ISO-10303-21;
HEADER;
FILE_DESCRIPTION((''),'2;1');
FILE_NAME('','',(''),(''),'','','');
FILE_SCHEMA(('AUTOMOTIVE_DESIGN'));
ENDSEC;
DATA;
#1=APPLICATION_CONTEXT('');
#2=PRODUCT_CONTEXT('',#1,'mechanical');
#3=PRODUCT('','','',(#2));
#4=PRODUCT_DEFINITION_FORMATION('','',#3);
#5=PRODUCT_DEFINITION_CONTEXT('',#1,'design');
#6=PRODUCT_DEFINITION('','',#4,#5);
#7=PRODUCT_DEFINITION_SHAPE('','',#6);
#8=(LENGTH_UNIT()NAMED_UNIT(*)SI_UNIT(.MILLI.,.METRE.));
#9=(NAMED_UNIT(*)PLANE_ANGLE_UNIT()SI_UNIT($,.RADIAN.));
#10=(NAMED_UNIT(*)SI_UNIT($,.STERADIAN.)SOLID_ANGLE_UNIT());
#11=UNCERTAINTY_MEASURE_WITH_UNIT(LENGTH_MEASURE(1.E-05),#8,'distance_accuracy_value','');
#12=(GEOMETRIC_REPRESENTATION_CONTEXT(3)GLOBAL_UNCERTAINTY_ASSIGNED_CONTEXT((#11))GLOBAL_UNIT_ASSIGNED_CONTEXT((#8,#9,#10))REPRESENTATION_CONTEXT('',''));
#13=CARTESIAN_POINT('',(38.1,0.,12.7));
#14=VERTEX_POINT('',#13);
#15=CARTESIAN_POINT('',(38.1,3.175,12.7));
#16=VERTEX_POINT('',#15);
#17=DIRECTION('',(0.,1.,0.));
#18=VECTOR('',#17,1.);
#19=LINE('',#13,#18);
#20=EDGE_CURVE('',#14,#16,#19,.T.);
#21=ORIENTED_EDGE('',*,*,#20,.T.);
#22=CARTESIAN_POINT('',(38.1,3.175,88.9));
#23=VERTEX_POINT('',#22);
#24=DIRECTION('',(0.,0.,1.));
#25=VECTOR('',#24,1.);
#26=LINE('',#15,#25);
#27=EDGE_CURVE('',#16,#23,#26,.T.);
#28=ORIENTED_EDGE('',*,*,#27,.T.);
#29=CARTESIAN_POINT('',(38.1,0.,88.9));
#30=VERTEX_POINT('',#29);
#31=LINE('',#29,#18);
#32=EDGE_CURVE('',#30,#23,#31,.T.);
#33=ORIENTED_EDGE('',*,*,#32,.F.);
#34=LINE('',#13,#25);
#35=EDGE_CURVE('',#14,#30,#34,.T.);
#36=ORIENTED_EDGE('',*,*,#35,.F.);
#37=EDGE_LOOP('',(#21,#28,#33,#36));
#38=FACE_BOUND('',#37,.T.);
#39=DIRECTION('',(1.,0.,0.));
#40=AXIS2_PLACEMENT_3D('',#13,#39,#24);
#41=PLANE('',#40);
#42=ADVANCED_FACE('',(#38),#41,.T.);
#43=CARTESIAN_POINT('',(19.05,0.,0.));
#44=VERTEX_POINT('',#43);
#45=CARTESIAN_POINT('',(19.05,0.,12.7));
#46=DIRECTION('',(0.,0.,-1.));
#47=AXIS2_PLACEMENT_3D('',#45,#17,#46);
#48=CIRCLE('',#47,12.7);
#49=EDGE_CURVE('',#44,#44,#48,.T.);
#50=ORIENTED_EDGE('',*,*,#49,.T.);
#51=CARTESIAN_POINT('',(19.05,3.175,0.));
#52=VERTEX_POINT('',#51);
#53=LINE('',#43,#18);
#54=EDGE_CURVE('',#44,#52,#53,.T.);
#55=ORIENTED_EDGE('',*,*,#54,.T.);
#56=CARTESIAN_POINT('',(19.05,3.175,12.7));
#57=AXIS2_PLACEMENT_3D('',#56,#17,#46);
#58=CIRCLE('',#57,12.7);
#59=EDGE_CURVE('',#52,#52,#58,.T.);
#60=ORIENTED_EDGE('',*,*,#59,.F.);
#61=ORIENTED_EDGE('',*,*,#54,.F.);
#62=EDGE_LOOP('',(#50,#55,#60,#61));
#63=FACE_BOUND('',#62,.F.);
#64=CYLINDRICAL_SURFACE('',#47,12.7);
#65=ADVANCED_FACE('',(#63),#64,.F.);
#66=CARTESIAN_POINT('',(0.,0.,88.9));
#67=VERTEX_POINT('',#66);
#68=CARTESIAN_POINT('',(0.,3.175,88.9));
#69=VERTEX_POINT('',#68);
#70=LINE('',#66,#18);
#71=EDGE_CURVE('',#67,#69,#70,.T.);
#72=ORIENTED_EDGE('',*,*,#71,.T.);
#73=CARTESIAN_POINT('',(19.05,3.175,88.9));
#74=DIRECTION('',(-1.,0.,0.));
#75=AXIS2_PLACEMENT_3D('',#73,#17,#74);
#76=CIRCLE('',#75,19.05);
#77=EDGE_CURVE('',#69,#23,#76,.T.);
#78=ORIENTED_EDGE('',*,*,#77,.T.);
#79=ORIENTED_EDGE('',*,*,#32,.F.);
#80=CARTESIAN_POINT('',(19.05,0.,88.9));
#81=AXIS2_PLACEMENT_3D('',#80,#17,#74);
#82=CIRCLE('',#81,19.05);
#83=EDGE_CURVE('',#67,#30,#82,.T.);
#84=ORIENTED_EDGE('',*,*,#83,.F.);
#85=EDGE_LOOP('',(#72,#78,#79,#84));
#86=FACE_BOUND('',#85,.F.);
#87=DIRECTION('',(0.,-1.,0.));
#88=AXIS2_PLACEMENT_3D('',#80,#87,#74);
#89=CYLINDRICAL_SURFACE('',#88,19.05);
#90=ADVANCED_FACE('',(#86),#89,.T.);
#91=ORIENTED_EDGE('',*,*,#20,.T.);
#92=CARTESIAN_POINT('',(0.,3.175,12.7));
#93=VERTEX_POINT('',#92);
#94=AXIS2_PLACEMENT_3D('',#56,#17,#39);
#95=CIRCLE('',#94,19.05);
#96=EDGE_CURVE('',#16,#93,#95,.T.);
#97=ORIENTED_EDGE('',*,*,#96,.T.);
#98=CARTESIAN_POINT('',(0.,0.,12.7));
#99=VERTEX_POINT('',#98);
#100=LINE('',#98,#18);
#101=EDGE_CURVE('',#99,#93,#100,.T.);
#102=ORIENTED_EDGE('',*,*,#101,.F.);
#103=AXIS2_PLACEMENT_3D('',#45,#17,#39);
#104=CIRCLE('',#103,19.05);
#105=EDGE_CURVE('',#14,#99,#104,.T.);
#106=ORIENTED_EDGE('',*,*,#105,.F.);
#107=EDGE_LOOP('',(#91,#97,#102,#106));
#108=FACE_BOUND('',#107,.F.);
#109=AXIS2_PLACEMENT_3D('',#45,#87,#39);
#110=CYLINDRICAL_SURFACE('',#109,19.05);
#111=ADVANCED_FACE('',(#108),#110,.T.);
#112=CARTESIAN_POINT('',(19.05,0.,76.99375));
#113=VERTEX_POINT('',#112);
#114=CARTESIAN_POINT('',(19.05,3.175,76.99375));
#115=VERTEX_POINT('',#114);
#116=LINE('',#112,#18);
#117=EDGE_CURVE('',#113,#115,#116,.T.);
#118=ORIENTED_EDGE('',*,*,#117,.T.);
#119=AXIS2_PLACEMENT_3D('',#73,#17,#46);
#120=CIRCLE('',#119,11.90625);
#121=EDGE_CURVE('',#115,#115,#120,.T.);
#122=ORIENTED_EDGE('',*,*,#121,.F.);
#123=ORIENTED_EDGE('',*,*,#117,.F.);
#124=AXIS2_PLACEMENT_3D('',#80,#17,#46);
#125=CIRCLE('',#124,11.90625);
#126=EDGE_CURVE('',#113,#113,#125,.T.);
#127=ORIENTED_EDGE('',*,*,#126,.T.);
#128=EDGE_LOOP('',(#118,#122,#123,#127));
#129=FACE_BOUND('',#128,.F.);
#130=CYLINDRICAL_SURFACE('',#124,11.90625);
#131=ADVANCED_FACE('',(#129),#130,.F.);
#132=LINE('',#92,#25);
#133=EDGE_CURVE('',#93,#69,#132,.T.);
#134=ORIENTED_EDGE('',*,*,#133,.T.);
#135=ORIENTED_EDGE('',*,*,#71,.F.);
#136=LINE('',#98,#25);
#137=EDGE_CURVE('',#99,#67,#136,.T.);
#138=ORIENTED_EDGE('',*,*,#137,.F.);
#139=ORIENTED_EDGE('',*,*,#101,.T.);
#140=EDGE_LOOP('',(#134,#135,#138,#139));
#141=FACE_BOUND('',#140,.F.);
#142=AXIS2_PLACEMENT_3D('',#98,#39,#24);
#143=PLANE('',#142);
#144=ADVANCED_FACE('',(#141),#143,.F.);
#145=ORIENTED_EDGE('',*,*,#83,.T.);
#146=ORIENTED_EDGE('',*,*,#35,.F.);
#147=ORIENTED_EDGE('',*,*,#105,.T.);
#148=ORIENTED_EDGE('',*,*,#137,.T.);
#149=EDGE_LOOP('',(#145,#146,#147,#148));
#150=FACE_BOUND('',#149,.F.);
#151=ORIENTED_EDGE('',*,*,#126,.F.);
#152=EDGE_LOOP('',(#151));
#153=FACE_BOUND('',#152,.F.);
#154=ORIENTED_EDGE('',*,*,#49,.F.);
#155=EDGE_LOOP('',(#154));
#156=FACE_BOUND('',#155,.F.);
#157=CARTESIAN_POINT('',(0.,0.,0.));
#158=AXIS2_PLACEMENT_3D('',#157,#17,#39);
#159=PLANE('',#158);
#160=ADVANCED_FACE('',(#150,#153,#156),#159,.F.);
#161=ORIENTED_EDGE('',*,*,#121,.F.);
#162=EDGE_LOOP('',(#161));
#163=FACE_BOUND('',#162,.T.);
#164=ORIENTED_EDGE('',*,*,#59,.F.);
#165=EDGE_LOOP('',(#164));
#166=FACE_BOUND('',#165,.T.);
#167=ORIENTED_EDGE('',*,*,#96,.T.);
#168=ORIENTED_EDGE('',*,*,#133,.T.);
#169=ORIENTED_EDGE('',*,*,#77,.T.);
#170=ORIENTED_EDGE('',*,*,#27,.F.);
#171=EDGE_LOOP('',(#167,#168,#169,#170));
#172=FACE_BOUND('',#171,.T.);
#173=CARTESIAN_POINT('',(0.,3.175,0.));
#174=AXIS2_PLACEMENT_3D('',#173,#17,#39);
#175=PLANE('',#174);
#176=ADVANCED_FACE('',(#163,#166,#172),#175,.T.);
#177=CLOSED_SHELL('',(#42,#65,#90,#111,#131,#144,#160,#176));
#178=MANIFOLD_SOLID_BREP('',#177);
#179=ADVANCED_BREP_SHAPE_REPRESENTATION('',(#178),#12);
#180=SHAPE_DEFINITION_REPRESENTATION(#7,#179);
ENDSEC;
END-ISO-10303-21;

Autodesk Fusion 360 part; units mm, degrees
sketch "Sketch1" plane through (0, 0, 0) normal (0, 1, 0) x (1, 0, 0)
  arc A0 (38.1, -12.7) -> (0, -12.7) centre (19.05, -12.7) ccw
  line L0 (0, -12.7) -> (0, -88.9)
  line L1 (38.1, -12.7) -> (38.1, -88.9)
  arc A1 (0, -88.9) -> (38.1, -88.9) centre (19.05, -88.9) ccw
  dimension "d9" = 76.2
  dimension "d11" = 38.1
extrude "Extrude1" add sketch "Sketch1" along normal blind 3.175
hole "Hole1" at (19.05, 0, 88.9) direction (0, 1, 0) diameter 23.8125 end through all
hole "Hole2" at (19.05, 0, 12.7) direction (0, 1, 0) diameter 25.4 end through all
equation "L = 3 in"
equation "P = 500 lbforce"
equation "stress = 9000 psi"
equation "d_A = 0.9375 in"
equation "d_1 = 1 in"
equation "t = ceil(( P / ( d_A * stress ) ) / 0.125 in) * 0.125 in"
equation "d9 = L"
equation "d11 = w"
equation "w = 1.5 in"
equation "d13 = t"
equation "d15 = d_A"
equation "d17 = d_1"
